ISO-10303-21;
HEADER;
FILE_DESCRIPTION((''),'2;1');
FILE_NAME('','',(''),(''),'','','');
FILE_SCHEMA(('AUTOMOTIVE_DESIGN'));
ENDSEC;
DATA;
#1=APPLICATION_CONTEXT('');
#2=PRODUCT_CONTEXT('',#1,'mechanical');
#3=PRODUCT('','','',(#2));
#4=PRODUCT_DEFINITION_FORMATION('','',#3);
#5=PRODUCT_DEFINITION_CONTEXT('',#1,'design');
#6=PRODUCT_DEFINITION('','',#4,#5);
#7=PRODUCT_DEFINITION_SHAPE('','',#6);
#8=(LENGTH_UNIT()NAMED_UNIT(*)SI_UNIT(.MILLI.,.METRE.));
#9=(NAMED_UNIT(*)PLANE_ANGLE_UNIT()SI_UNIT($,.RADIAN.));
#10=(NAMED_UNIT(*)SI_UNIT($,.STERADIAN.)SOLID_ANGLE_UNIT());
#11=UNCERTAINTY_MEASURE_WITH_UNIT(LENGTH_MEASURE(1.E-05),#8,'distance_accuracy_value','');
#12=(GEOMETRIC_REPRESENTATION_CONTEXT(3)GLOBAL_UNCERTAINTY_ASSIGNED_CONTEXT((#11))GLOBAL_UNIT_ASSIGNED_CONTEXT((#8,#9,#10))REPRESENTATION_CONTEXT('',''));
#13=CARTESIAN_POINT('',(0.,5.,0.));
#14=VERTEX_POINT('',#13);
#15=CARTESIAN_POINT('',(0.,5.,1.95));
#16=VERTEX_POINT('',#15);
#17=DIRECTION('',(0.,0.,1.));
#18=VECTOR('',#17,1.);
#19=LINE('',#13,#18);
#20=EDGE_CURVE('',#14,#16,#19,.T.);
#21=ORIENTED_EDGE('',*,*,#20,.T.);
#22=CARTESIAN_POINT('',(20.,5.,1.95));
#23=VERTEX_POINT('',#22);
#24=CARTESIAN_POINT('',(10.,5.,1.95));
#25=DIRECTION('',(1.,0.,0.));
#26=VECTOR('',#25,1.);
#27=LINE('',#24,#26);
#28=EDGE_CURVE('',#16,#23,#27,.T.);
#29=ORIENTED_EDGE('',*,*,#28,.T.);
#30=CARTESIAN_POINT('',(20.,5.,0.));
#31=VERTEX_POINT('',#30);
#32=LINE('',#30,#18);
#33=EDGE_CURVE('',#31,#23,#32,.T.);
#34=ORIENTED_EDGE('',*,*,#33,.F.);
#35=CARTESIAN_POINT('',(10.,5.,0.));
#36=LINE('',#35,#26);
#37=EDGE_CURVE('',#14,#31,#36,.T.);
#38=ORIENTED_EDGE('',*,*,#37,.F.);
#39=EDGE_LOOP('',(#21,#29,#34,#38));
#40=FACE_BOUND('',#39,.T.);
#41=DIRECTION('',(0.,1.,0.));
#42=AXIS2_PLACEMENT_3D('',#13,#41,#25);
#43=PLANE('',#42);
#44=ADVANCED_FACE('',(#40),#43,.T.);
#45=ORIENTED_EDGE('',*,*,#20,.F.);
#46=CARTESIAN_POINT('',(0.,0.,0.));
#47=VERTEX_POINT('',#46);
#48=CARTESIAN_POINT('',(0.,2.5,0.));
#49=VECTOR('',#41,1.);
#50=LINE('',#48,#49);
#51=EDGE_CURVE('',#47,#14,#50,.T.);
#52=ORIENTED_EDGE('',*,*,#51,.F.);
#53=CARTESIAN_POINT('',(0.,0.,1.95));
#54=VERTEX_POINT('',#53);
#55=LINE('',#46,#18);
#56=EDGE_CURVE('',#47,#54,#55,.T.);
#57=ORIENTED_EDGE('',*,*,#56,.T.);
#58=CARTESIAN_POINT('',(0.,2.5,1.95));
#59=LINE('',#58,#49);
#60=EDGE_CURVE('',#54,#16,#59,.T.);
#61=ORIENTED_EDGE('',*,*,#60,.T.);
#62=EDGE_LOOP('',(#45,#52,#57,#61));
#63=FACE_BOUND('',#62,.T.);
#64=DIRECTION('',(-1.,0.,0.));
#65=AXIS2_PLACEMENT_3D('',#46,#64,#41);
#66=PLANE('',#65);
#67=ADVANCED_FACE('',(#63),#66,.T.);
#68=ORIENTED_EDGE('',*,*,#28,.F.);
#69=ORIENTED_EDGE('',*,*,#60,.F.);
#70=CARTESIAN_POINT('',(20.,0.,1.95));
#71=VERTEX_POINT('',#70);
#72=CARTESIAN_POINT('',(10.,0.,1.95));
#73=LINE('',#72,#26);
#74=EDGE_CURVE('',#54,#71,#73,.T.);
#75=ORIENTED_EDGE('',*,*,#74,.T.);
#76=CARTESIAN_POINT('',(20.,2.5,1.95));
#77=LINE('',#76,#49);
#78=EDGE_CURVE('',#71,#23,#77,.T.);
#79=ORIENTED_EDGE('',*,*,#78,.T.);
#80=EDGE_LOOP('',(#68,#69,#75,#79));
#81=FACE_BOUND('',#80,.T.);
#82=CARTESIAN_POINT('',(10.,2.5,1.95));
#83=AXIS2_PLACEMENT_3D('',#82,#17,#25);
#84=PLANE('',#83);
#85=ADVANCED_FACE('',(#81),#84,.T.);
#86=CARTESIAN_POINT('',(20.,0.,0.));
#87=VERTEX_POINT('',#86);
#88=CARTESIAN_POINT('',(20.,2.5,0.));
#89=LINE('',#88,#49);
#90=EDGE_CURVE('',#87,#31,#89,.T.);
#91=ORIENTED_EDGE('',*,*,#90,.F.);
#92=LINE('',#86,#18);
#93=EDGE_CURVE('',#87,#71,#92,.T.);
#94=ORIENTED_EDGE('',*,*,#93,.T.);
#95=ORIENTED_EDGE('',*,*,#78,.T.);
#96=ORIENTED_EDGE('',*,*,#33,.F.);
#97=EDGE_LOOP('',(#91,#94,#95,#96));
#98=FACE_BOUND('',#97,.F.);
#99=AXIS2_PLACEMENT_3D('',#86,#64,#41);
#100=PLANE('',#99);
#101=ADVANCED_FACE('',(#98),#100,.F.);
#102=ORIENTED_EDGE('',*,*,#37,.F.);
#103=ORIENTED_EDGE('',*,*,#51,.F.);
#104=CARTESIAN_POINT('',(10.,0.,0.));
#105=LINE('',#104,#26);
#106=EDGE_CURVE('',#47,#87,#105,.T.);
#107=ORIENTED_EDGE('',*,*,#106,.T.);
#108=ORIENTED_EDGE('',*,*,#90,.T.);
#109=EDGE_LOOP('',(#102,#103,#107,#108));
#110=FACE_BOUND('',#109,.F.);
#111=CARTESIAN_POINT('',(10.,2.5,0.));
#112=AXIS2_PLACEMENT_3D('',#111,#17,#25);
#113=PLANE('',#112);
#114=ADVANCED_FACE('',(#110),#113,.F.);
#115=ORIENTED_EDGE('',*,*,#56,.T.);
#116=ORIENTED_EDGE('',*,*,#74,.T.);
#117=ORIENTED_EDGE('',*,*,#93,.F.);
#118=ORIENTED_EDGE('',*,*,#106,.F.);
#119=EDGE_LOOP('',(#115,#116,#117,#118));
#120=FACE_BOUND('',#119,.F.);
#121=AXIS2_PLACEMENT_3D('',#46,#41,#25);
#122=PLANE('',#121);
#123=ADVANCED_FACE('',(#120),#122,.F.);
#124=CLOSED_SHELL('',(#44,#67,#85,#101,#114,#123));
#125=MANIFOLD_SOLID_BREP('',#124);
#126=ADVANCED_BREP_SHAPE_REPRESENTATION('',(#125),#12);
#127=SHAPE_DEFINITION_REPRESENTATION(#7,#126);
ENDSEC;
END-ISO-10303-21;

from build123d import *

# Parameters (mm, degrees)
SKETCH_W  = 20
SKETCH_H  = 5
PAD_DEPTH = 1.95


with BuildPart() as part:
    # Sketch → Pad (new body)
    with BuildSketch(Plane.XY):
        with Locations((10, 2.5)):
            Rectangle(SKETCH_W, SKETCH_H)
    extrude(amount=PAD_DEPTH)


solid = part.part
